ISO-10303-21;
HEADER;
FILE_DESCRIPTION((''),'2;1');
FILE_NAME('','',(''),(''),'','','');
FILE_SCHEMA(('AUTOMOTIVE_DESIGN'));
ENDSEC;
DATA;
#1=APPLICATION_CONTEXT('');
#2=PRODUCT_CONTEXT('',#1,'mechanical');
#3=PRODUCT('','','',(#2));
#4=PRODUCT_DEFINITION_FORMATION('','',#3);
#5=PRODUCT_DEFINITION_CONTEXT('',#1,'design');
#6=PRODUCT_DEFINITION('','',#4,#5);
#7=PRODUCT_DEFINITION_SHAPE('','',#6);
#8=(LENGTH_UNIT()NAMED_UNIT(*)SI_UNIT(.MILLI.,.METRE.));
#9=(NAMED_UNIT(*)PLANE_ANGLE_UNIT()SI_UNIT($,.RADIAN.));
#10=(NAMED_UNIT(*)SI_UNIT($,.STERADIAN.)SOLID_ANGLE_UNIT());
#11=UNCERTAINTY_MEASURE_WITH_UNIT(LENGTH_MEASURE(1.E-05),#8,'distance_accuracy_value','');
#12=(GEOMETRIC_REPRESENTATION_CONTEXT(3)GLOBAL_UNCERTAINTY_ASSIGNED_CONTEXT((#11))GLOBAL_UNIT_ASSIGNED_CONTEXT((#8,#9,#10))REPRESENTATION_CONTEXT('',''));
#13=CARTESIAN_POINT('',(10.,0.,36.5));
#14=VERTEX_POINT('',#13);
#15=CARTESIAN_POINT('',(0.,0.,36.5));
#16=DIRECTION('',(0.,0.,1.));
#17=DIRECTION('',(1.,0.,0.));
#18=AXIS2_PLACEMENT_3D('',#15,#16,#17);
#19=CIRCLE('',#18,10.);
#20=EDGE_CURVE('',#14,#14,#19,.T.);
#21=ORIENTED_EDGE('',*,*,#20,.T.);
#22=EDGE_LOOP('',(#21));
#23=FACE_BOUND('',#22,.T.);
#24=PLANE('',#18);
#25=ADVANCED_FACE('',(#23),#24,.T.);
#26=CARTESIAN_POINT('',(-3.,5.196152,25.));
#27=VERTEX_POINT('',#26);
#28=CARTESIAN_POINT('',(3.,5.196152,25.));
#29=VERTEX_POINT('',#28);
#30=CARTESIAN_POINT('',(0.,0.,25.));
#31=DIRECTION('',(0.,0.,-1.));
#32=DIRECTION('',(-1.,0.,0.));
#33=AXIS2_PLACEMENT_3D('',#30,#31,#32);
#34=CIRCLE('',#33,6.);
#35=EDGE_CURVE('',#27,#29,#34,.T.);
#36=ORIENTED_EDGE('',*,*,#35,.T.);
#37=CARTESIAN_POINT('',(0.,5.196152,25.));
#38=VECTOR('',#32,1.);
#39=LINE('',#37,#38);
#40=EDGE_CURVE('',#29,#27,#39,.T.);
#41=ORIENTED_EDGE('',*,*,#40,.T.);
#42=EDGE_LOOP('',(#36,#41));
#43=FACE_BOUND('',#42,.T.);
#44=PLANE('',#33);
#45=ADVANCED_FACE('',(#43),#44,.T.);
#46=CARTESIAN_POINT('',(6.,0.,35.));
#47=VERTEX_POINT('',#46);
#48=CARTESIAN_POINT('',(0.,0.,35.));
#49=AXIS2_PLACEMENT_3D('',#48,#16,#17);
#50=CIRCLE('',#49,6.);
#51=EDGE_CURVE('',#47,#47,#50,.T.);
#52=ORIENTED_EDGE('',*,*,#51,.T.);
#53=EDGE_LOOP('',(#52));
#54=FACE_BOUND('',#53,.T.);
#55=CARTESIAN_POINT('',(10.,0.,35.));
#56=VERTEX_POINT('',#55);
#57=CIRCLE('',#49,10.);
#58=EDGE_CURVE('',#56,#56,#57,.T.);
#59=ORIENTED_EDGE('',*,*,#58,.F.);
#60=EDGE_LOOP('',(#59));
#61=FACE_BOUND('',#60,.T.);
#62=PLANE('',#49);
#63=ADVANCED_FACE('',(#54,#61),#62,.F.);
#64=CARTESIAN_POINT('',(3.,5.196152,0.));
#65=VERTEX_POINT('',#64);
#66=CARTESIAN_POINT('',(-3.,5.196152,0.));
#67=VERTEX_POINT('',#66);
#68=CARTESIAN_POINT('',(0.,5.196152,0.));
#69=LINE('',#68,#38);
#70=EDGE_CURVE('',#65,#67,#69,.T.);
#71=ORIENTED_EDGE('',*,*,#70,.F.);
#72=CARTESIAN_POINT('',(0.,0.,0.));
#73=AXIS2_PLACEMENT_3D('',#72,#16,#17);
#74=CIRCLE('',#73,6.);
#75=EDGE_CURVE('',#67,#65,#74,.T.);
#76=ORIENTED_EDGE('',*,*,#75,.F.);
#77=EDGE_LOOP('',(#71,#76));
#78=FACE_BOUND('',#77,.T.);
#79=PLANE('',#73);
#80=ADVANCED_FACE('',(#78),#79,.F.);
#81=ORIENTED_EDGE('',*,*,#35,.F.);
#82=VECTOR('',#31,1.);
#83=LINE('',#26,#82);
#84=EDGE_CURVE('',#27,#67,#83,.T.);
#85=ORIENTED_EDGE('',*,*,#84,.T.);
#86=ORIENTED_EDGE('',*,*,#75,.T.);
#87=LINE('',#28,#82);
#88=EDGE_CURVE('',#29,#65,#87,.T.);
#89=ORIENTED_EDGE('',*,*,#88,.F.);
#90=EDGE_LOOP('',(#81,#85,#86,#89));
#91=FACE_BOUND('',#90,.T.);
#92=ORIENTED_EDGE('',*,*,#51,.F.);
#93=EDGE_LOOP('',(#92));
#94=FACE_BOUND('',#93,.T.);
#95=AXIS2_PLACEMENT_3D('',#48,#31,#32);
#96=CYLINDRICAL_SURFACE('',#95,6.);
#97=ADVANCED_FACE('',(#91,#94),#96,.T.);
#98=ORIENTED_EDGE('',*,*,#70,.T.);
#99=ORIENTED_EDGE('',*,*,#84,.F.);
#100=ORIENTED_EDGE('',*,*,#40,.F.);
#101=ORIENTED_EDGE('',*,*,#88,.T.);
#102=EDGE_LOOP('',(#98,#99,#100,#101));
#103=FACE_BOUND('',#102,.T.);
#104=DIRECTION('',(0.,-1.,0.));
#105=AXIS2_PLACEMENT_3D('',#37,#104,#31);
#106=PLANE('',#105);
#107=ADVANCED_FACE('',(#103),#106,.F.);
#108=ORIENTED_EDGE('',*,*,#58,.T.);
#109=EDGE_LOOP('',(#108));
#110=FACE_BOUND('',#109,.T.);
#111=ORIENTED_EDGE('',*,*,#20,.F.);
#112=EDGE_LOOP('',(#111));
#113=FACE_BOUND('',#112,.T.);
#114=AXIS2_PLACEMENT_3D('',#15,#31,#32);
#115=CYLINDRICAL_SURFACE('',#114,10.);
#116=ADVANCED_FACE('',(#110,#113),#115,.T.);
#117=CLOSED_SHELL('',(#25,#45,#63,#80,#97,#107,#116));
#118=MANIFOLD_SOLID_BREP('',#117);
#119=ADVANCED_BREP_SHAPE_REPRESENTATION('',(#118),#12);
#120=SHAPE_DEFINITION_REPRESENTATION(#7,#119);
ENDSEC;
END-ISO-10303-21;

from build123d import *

# Parameters (mm, degrees)
SKETCH1_R           = 6
BOSS_EXTRUDE1_DEPTH = 35
CUT_EXTRUDE1_DEPTH  = 25
SKETCH3_R           = 10
BOSS_EXTRUDE2_DEPTH = 1.5


with BuildPart() as part:
    # Sketch1 → Boss-Extrude1 (new body)
    with BuildSketch(Plane.XY):
        Circle(SKETCH1_R)
    extrude(amount=BOSS_EXTRUDE1_DEPTH)

    # Sketch2 → Cut-Extrude1 (cut)
    with BuildSketch(Plane(origin=(0, 0, 0), x_dir=(-1, 0, 0), z_dir=(0, 0, -1))):
        Polygon((-41.730042052, 5.196152423), (-3, 5.196152423), (3, 5.196152423), (41.730042052, 5.196152423), (41.730042052, 82.656236526), (-41.730042052, 82.656236526), align=None)
    extrude(amount=-CUT_EXTRUDE1_DEPTH, mode=Mode.SUBTRACT)

    # Sketch3 → Boss-Extrude2 (add)
    with BuildSketch(Plane.XY.offset(35)):
        Circle(SKETCH3_R)
    extrude(amount=BOSS_EXTRUDE2_DEPTH)


solid = part.part
